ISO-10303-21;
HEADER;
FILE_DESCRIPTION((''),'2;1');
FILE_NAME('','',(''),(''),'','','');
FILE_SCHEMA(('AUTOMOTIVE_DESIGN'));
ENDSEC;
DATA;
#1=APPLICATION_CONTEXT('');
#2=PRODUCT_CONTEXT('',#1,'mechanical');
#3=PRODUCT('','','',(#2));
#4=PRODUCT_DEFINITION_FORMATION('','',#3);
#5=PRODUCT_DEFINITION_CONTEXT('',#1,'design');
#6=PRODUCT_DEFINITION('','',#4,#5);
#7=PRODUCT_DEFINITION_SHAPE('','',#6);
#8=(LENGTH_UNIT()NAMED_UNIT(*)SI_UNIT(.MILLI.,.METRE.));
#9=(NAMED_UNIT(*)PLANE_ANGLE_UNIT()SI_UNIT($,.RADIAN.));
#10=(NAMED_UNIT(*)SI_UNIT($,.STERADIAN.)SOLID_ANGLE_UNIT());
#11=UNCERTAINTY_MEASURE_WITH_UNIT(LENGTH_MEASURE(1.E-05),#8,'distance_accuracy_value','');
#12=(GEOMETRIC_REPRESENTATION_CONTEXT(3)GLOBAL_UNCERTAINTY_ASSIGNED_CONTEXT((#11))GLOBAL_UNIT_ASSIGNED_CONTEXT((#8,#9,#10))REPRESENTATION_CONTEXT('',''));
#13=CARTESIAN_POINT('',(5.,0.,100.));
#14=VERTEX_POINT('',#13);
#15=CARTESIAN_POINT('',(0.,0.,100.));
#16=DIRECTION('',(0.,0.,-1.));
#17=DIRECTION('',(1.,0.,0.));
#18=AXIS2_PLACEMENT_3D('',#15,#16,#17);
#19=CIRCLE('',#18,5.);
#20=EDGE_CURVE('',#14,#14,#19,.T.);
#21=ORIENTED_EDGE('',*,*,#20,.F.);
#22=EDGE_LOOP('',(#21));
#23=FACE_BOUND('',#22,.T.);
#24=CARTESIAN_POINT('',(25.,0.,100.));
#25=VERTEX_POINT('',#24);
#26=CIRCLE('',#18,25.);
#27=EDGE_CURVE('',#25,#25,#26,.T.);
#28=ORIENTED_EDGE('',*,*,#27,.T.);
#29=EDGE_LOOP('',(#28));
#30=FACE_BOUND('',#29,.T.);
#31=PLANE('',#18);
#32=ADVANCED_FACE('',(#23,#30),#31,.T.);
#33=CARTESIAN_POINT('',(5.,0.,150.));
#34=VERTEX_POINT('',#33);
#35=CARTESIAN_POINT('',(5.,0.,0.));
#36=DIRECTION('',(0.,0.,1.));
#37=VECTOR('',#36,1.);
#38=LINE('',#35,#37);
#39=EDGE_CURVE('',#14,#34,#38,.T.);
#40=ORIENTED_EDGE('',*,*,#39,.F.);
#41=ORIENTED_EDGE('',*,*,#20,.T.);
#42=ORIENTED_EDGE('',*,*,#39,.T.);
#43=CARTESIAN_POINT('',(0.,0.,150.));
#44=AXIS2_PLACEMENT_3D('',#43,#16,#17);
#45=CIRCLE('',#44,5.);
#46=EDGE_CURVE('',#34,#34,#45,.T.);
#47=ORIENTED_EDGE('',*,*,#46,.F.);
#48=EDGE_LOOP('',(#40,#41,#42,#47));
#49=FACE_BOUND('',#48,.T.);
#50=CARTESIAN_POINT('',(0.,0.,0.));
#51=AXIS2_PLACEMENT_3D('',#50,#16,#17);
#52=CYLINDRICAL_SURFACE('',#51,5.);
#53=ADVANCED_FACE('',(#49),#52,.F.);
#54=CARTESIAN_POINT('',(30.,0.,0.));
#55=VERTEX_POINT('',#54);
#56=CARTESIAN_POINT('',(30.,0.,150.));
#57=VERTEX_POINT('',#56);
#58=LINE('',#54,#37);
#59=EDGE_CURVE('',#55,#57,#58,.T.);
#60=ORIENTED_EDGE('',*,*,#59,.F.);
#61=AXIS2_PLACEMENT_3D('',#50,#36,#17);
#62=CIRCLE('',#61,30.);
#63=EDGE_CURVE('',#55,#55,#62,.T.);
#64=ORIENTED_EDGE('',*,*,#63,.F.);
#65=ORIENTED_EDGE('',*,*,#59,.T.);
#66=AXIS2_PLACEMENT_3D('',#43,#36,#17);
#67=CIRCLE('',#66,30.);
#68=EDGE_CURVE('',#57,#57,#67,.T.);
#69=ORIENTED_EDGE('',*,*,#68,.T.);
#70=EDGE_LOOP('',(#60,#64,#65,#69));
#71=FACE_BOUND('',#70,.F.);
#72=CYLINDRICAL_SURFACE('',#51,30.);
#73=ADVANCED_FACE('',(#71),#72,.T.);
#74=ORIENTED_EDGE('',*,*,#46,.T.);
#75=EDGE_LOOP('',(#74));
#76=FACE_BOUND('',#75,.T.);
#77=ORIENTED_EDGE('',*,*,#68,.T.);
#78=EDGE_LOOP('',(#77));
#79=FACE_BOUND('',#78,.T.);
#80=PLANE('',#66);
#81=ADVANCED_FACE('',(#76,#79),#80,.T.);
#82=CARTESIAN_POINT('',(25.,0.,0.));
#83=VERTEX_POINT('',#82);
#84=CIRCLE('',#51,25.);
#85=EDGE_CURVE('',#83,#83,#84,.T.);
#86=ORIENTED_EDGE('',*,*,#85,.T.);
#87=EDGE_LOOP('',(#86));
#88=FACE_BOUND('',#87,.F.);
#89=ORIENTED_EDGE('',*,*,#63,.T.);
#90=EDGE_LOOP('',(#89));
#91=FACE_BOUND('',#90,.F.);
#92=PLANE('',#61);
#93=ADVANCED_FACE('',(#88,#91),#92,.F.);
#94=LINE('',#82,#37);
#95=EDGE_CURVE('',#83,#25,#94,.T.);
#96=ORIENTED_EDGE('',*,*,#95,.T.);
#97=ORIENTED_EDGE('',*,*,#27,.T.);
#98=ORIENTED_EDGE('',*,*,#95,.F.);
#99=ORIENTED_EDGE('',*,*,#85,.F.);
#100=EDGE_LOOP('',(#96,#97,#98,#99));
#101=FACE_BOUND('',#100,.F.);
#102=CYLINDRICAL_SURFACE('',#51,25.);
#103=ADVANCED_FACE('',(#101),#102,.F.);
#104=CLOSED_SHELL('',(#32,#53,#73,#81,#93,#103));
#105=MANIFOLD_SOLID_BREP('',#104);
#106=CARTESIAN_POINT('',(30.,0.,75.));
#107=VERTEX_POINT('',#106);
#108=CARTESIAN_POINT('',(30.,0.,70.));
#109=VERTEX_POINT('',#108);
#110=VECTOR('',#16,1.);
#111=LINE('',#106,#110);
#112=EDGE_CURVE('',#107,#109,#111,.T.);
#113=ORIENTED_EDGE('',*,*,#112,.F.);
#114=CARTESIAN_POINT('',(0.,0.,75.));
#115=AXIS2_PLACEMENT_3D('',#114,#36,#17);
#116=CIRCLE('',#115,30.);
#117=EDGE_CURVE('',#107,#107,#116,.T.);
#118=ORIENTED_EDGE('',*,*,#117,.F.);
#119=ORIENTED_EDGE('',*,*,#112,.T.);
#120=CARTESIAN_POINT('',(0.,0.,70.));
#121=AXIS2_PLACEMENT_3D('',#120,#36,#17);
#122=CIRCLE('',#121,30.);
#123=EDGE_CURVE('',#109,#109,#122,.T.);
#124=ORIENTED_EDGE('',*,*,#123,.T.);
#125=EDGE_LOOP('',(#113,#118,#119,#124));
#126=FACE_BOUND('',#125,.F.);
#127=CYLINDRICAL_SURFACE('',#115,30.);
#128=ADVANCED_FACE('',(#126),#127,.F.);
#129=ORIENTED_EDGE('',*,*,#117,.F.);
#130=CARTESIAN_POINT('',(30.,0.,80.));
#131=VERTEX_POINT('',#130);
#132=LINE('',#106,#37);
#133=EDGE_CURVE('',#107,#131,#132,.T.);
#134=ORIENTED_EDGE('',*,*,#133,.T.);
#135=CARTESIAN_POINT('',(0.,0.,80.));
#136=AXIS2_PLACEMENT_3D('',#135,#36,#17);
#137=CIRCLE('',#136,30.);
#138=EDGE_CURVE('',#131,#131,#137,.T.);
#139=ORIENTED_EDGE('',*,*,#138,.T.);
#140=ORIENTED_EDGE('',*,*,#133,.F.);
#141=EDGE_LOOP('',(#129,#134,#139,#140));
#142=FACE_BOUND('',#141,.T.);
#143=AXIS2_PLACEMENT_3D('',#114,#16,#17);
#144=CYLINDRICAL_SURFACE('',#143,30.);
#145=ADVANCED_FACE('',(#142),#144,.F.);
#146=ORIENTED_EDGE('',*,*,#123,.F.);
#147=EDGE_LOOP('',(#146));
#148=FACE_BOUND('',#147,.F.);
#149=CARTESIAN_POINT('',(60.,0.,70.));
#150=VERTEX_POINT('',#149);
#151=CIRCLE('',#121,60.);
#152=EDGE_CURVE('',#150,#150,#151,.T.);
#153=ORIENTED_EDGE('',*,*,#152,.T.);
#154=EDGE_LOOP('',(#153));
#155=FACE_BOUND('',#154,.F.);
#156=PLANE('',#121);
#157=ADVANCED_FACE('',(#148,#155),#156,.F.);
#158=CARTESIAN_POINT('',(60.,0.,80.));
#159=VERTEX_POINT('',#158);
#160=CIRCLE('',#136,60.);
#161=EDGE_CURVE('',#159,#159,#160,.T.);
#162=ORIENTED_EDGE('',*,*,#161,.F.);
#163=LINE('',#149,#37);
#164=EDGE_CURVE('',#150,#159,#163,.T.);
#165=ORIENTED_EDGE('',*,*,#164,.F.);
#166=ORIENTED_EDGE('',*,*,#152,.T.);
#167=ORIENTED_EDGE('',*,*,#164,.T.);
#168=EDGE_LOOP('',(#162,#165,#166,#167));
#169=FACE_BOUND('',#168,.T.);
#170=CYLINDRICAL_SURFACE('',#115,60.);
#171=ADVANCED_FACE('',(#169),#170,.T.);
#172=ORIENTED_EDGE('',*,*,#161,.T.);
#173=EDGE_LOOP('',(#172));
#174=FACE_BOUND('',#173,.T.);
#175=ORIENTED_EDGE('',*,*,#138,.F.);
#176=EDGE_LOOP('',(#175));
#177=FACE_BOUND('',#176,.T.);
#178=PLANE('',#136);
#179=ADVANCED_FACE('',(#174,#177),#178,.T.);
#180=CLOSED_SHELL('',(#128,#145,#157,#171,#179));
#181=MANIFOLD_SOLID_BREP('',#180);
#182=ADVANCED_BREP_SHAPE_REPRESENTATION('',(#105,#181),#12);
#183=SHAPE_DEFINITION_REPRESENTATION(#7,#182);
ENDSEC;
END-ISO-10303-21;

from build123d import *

# Parameters (mm, degrees)
F0_R          = 30
F1_DEPTH      = 150
F2_R          = 25
F3_DEPTH      = 100
F4_R          = 5
F5_DEPTH      = 150.001
F7_R          = 60
F7_R_2        = 30
F8_DEPTH      = 5
F8_DEPTH_BACK = 5


with BuildPart() as f1:
    # F0 (on Top) → F1 (new body)
    with BuildSketch(Plane.XY):
        Circle(F0_R)
    extrude(amount=F1_DEPTH)

    # F2 (on face) → F3 (cut)
    with BuildSketch(Plane(origin=(0, 0, 0), x_dir=(1, 0, 0), z_dir=(0, 0, -1))):
        Circle(F2_R)
    extrude(amount=-F3_DEPTH, mode=Mode.SUBTRACT)

    # F4 (on Top) → F5 (cut, through all)
    with BuildSketch(Plane.XY):
        Circle(F4_R)
    extrude(amount=F5_DEPTH, mode=Mode.SUBTRACT)


with BuildPart() as f8:
    # F7 (on offset) → F8 (new body, two sides)
    with BuildSketch(Plane.XY.offset(75)) as f8_sk:
        Circle(F7_R)
        Circle(F7_R_2, mode=Mode.SUBTRACT)
    extrude(amount=F8_DEPTH)
    extrude(f8_sk.sketch, amount=-F8_DEPTH_BACK)


solid = Compound([f1.part, f8.part])
